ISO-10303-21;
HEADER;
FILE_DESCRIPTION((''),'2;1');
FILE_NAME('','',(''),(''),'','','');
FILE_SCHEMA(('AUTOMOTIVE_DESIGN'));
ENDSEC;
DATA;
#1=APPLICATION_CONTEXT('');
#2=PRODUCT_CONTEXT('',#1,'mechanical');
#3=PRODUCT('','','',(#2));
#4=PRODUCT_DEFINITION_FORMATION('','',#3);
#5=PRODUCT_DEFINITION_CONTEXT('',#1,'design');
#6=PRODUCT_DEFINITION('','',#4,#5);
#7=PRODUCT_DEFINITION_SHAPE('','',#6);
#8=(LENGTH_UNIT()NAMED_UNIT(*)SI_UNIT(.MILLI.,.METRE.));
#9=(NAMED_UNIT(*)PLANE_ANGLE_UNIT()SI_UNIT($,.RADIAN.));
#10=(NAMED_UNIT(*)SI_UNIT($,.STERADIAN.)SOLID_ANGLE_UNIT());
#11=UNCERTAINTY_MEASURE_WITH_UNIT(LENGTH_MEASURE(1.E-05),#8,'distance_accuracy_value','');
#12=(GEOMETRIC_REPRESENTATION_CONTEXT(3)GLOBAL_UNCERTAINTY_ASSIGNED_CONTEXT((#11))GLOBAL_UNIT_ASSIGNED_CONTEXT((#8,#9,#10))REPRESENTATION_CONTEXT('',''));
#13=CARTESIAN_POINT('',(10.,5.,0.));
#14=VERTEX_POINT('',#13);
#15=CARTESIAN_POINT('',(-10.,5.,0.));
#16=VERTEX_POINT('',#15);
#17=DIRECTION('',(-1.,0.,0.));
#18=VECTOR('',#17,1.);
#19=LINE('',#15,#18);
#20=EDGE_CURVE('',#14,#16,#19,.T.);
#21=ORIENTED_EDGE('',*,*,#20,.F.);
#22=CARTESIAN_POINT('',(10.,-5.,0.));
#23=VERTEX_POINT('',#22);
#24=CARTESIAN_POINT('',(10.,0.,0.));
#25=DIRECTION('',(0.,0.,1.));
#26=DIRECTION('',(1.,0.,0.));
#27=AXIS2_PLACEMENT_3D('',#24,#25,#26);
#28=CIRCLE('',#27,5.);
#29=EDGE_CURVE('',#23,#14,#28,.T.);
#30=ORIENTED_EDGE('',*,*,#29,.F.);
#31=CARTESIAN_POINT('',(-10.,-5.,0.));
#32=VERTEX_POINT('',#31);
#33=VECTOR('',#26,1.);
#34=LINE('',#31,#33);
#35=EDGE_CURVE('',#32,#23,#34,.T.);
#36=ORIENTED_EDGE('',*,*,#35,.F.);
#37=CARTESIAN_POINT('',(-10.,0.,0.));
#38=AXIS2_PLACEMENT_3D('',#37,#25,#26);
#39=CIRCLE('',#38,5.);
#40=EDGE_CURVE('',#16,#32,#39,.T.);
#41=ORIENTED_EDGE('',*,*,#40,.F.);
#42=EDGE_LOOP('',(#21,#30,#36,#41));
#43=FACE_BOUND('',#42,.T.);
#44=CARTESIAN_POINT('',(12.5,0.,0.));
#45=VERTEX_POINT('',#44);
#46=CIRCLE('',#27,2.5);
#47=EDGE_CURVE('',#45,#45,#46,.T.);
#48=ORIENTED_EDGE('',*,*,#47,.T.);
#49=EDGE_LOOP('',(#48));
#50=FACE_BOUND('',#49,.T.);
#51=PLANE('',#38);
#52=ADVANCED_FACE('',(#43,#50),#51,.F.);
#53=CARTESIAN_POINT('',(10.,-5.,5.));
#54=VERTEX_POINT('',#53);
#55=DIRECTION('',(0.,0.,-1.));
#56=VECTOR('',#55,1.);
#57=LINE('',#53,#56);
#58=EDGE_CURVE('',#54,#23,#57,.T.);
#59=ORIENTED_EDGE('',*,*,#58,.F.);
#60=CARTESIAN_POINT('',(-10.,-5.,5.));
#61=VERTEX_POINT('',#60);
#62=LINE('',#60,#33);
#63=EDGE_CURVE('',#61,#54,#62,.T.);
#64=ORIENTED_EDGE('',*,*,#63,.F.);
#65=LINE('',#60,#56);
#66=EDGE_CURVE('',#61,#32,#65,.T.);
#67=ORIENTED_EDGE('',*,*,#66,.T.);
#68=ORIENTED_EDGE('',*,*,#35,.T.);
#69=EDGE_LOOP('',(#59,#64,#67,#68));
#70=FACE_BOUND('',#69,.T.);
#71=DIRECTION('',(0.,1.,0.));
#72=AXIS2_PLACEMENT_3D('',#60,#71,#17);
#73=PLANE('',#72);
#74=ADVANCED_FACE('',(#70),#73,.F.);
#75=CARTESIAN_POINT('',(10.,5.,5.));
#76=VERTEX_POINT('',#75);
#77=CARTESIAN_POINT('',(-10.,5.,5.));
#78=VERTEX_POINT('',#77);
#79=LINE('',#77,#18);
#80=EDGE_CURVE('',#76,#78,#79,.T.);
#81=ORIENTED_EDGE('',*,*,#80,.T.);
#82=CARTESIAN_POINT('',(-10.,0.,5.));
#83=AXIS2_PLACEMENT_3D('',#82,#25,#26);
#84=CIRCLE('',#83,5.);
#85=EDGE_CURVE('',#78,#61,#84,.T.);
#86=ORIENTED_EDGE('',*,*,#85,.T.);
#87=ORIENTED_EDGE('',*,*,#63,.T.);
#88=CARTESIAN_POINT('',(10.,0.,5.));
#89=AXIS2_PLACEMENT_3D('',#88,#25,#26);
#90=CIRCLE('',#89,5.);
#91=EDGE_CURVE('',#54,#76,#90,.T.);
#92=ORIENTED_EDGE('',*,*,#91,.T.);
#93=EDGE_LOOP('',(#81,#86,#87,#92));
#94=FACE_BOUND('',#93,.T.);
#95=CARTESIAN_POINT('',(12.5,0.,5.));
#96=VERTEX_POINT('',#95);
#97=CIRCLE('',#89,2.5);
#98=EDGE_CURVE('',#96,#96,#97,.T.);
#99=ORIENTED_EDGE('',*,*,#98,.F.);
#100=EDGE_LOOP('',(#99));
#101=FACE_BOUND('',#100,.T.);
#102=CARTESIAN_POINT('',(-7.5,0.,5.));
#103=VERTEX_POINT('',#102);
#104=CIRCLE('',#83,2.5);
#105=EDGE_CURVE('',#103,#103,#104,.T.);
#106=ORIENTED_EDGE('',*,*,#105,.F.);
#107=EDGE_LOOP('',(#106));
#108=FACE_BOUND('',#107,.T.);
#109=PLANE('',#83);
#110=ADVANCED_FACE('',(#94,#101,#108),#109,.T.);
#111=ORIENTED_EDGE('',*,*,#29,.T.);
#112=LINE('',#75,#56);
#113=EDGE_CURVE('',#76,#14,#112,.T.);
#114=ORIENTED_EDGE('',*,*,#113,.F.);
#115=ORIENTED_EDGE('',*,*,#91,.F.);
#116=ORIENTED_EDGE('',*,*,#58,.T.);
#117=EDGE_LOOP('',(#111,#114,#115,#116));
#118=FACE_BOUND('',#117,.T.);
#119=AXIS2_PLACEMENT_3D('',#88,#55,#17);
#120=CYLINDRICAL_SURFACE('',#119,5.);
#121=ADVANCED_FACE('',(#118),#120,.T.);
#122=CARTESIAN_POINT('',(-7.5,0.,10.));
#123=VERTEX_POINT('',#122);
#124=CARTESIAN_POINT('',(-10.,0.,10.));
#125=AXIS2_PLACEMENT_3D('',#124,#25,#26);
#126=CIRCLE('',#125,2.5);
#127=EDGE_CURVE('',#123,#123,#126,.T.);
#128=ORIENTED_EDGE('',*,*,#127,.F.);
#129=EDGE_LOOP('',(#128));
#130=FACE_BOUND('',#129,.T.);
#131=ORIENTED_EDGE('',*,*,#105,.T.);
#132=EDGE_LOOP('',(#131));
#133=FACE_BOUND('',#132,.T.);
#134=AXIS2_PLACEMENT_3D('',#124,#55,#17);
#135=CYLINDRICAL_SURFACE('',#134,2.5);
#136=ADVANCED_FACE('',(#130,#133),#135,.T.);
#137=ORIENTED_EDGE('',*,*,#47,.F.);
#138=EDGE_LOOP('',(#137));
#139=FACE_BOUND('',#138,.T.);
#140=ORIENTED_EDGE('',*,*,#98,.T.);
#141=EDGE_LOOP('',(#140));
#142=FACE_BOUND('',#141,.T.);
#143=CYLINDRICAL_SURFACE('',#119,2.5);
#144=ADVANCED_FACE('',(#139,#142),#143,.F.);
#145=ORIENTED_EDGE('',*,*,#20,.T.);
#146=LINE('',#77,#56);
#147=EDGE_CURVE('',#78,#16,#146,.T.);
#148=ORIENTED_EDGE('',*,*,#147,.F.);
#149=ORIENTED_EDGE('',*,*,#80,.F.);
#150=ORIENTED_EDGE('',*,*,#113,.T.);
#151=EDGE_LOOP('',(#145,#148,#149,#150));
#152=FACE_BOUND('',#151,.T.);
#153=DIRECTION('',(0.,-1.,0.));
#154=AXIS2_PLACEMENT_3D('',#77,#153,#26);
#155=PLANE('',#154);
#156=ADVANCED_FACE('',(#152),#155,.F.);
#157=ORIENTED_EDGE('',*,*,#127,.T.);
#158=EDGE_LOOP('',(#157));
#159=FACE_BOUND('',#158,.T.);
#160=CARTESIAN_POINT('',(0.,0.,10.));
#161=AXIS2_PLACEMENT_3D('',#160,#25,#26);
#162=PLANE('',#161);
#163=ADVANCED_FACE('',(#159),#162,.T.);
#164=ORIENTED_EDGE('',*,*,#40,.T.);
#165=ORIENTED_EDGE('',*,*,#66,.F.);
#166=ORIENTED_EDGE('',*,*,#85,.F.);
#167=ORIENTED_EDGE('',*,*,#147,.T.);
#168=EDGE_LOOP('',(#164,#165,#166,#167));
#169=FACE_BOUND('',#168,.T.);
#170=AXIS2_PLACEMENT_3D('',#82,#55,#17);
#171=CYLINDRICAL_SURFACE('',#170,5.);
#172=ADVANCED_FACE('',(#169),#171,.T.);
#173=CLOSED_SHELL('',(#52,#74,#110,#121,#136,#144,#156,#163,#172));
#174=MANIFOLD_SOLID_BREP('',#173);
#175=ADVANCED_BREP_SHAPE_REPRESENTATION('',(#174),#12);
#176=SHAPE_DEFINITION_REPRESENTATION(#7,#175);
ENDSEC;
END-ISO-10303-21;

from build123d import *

# Parameters (mm, degrees)
SKETCH1_R           = 2.5
BOSS_EXTRUDE1_DEPTH = 5
SKETCH1_2_R         = 2.5
BOSS_EXTRUDE2_DEPTH = 10


with BuildPart() as part:
    # Sketch1 → Boss-Extrude1 (new body)
    with BuildSketch(Plane.XY):
        with BuildLine():
            Line((-10, 5), (10, 5))
            ThreePointArc((10, 5), (15, 0), (10, -5))
            Line((10, -5), (-10, -5))
            ThreePointArc((-10, -5), (-15, 0), (-10, 5))
        make_face()
        with Locations((-10, 0)):
            Circle(SKETCH1_R, mode=Mode.SUBTRACT)
        with Locations((10, 0)):
            Circle(SKETCH1_R, mode=Mode.SUBTRACT)
    extrude(amount=BOSS_EXTRUDE1_DEPTH)

    # Sketch1<2> → Boss-Extrude2 (add)
    with BuildSketch(Plane.XY):
        with Locations((-10, 0)):
            Circle(SKETCH1_2_R)
    extrude(amount=BOSS_EXTRUDE2_DEPTH)


solid = part.part
